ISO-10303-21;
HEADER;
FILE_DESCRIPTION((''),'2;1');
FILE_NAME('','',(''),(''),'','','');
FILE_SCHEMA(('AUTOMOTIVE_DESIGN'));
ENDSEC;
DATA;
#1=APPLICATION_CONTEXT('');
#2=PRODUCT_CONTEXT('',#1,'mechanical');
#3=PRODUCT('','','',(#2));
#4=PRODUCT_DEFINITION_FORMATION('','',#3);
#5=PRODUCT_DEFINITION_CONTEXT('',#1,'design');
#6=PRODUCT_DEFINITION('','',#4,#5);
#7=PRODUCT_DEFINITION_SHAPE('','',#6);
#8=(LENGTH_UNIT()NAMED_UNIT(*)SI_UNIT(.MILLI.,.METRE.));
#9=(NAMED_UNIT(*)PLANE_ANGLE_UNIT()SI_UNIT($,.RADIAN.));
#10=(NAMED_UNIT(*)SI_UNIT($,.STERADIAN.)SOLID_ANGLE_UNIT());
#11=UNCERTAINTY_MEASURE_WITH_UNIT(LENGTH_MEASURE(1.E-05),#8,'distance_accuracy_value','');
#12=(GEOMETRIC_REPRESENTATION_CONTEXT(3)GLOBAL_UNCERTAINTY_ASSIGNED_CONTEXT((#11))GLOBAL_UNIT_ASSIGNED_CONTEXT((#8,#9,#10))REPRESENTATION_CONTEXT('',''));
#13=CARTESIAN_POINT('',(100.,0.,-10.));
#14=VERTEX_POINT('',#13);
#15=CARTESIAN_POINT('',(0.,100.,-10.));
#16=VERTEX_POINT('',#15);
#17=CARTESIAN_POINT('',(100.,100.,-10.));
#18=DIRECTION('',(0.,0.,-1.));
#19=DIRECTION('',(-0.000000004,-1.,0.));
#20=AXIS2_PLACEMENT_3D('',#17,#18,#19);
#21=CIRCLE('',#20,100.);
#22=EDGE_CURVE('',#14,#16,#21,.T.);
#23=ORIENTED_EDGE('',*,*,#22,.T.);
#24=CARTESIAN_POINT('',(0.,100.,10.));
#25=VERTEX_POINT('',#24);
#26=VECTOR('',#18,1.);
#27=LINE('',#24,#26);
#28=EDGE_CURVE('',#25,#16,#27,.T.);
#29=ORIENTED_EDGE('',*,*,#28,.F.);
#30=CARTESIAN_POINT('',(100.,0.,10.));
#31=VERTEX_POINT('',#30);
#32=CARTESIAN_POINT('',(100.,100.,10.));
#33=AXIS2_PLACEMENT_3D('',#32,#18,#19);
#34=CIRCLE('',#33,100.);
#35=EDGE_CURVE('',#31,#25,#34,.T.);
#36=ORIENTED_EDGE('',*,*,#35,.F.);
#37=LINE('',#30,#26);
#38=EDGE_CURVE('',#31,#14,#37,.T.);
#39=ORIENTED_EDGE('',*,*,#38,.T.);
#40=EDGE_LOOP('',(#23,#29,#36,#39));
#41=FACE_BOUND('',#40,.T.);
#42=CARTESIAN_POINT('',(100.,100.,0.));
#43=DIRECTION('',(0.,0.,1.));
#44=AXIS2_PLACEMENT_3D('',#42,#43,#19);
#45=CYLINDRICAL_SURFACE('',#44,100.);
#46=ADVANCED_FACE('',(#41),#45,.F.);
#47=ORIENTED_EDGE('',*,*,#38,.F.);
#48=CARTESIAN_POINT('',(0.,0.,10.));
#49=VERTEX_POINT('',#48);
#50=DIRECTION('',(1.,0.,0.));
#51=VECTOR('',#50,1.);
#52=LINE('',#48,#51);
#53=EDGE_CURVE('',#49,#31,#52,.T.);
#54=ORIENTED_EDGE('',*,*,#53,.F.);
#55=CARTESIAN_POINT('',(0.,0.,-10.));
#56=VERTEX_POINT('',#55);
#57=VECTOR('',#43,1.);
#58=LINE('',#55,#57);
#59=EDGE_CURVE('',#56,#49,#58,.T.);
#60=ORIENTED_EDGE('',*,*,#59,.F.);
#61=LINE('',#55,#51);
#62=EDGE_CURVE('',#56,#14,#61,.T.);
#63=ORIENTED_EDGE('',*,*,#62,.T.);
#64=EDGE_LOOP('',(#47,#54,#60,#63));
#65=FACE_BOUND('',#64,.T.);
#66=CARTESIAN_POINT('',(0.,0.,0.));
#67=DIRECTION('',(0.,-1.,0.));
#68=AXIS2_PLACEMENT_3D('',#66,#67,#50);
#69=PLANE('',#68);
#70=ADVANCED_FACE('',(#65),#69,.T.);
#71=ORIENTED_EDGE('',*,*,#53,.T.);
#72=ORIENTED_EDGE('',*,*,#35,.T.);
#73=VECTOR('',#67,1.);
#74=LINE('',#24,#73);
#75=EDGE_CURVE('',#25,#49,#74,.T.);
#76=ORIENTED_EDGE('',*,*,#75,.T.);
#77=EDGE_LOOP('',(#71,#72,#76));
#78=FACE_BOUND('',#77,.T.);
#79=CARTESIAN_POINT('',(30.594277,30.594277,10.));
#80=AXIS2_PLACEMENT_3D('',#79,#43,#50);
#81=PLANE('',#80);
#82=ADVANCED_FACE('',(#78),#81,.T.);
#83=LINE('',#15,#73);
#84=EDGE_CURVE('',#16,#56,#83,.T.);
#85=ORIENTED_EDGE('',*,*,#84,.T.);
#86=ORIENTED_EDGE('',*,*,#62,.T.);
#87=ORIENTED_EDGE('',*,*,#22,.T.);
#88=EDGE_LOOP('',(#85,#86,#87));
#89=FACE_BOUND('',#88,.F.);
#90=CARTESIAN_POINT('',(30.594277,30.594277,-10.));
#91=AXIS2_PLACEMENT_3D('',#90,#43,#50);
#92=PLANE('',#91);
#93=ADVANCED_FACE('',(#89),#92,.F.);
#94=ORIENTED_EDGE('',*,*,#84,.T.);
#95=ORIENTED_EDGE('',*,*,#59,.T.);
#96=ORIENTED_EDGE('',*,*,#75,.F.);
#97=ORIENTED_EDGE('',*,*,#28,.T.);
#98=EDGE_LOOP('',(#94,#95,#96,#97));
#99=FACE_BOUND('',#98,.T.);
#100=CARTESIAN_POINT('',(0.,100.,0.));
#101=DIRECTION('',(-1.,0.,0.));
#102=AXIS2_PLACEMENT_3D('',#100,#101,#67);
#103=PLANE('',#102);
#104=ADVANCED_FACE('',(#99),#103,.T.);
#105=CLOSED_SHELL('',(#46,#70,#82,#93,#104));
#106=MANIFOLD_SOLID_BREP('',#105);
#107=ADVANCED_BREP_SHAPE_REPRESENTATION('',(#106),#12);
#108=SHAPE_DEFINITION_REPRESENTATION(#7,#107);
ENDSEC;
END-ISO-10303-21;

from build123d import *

# Parameters (mm, degrees)
F1_DEPTH = 10


with BuildPart() as f1:
    # F0 (on Top) → F1 (new body, symmetric)
    with BuildSketch(Plane.XY):
        with BuildLine():
            Line((0, 100), (0, 0))
            Line((0, 0), (100, 0))
            ThreePointArc((100, 0), (29.289322, 29.289322), (0, 100))
        make_face()
    extrude(amount=F1_DEPTH, both=True)


solid = f1.part
